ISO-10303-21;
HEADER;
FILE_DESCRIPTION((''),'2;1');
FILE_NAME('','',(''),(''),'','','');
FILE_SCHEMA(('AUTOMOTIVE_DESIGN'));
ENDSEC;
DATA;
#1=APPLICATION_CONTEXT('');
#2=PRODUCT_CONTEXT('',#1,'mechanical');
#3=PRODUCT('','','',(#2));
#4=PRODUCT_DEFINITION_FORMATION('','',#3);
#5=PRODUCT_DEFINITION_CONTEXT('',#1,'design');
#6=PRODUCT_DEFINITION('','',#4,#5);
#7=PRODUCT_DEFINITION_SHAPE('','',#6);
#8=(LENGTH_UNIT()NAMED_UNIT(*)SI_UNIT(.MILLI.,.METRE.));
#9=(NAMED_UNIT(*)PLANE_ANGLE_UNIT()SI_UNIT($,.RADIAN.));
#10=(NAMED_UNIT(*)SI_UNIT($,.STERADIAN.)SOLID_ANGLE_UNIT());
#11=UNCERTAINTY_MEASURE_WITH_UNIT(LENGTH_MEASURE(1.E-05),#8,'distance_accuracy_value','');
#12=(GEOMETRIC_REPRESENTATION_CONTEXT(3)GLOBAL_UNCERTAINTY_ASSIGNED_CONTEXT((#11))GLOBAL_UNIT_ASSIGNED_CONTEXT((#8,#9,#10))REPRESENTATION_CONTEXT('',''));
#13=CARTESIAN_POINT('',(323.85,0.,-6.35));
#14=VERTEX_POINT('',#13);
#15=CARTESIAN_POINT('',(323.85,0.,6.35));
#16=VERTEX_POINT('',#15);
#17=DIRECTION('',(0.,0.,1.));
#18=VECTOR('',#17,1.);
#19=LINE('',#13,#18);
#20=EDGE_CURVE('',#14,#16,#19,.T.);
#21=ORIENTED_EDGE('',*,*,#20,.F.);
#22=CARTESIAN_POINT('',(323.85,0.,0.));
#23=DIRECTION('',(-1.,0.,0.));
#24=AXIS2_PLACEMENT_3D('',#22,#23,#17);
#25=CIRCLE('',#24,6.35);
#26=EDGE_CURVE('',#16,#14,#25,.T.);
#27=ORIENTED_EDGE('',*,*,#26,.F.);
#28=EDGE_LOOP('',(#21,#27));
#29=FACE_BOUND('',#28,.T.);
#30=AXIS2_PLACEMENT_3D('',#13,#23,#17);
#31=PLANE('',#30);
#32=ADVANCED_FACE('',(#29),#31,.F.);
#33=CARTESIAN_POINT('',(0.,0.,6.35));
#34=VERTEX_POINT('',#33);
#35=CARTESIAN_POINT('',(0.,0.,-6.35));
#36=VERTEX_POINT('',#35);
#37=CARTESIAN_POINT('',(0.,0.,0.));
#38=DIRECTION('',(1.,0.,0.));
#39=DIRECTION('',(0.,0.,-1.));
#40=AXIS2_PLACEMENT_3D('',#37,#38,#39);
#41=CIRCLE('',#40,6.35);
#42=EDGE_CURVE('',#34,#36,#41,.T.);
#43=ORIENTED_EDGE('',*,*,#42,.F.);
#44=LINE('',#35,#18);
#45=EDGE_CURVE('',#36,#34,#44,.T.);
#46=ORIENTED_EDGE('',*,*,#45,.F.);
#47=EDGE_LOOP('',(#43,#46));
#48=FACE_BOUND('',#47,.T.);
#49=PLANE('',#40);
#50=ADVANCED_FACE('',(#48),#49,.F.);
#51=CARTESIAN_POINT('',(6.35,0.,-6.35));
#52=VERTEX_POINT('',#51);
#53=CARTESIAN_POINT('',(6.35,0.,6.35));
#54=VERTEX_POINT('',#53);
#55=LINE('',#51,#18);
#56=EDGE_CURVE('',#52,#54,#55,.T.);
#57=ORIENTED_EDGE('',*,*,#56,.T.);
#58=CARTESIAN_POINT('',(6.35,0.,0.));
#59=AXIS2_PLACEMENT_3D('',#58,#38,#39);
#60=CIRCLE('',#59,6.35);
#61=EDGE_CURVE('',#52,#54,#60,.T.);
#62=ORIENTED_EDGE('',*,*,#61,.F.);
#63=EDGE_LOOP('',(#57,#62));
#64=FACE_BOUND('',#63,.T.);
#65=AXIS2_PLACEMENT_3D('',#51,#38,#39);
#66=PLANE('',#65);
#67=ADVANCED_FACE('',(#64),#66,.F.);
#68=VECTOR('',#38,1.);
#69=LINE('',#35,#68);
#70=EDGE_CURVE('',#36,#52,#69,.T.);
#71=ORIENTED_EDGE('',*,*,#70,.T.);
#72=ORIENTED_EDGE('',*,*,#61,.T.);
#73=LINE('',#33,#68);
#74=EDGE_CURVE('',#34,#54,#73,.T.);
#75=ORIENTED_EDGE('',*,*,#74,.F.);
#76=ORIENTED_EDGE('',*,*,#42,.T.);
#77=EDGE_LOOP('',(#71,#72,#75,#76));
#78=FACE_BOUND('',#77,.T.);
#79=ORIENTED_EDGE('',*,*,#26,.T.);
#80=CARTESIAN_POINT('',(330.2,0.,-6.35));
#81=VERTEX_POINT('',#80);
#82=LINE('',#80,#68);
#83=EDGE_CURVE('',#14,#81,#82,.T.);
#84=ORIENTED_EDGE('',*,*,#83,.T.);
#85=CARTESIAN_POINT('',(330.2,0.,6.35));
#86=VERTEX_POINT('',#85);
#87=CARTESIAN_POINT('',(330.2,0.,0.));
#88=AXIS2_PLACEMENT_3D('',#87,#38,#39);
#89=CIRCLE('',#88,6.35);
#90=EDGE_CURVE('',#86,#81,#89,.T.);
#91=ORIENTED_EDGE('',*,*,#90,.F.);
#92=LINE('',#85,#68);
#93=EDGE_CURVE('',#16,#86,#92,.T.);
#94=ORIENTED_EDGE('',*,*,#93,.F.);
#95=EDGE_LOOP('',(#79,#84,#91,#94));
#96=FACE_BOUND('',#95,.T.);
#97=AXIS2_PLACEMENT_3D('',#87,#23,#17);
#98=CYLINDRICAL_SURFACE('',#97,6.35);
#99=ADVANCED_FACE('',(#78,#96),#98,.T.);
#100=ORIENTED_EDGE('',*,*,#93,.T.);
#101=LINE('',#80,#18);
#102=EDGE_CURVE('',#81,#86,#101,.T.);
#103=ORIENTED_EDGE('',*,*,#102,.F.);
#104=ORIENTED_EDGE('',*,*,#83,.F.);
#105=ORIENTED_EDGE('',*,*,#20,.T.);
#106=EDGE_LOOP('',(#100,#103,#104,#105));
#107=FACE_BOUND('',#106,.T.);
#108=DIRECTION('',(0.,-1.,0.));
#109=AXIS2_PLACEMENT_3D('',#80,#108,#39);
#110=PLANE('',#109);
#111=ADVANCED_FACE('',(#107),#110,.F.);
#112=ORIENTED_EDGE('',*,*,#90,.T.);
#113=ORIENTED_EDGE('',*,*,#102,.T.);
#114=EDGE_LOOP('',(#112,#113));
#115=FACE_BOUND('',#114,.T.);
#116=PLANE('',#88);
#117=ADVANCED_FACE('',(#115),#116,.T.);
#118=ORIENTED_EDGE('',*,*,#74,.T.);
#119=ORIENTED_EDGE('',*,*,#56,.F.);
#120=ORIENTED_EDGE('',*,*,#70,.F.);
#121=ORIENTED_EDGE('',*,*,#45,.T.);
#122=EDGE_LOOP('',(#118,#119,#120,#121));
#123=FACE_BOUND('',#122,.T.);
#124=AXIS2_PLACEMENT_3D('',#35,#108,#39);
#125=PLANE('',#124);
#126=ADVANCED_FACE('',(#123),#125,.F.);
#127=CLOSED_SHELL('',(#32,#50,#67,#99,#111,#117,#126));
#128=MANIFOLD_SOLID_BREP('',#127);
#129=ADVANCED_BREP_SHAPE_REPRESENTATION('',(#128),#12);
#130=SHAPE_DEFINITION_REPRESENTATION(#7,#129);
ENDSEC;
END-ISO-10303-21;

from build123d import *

# Parameters (mm, degrees)
SKETCH1_R               = 6.35
BOSS_EXTRUDE1_DEPTH     = 330.2
SKETCH2_W               = 6.35
SKETCH2_H               = 6.35
CUT_EXTRUDE1_DEPTH      = 7.35
CUT_EXTRUDE1_DEPTH_BACK = 7.35


with BuildPart() as part:
    # Sketch1 → Boss-Extrude1 (new body)
    with BuildSketch(Plane(origin=(0, 0, 0), x_dir=(0, 0, -1), z_dir=(1, 0, 0))):
        Circle(SKETCH1_R)
    extrude(amount=BOSS_EXTRUDE1_DEPTH)

    # Sketch2 → Cut-Extrude1 (cut, two sides)
    with BuildSketch(Plane.XY) as cut_extrude1_sk:
        with Locations((3.175, 3.175)):
            Rectangle(SKETCH2_W, SKETCH2_H)
        with Locations((327.025, 3.175)):
            Rectangle(SKETCH2_W, SKETCH2_H)
    extrude(amount=CUT_EXTRUDE1_DEPTH, mode=Mode.SUBTRACT)
    extrude(cut_extrude1_sk.sketch, amount=-CUT_EXTRUDE1_DEPTH_BACK, mode=Mode.SUBTRACT)


solid = part.part
